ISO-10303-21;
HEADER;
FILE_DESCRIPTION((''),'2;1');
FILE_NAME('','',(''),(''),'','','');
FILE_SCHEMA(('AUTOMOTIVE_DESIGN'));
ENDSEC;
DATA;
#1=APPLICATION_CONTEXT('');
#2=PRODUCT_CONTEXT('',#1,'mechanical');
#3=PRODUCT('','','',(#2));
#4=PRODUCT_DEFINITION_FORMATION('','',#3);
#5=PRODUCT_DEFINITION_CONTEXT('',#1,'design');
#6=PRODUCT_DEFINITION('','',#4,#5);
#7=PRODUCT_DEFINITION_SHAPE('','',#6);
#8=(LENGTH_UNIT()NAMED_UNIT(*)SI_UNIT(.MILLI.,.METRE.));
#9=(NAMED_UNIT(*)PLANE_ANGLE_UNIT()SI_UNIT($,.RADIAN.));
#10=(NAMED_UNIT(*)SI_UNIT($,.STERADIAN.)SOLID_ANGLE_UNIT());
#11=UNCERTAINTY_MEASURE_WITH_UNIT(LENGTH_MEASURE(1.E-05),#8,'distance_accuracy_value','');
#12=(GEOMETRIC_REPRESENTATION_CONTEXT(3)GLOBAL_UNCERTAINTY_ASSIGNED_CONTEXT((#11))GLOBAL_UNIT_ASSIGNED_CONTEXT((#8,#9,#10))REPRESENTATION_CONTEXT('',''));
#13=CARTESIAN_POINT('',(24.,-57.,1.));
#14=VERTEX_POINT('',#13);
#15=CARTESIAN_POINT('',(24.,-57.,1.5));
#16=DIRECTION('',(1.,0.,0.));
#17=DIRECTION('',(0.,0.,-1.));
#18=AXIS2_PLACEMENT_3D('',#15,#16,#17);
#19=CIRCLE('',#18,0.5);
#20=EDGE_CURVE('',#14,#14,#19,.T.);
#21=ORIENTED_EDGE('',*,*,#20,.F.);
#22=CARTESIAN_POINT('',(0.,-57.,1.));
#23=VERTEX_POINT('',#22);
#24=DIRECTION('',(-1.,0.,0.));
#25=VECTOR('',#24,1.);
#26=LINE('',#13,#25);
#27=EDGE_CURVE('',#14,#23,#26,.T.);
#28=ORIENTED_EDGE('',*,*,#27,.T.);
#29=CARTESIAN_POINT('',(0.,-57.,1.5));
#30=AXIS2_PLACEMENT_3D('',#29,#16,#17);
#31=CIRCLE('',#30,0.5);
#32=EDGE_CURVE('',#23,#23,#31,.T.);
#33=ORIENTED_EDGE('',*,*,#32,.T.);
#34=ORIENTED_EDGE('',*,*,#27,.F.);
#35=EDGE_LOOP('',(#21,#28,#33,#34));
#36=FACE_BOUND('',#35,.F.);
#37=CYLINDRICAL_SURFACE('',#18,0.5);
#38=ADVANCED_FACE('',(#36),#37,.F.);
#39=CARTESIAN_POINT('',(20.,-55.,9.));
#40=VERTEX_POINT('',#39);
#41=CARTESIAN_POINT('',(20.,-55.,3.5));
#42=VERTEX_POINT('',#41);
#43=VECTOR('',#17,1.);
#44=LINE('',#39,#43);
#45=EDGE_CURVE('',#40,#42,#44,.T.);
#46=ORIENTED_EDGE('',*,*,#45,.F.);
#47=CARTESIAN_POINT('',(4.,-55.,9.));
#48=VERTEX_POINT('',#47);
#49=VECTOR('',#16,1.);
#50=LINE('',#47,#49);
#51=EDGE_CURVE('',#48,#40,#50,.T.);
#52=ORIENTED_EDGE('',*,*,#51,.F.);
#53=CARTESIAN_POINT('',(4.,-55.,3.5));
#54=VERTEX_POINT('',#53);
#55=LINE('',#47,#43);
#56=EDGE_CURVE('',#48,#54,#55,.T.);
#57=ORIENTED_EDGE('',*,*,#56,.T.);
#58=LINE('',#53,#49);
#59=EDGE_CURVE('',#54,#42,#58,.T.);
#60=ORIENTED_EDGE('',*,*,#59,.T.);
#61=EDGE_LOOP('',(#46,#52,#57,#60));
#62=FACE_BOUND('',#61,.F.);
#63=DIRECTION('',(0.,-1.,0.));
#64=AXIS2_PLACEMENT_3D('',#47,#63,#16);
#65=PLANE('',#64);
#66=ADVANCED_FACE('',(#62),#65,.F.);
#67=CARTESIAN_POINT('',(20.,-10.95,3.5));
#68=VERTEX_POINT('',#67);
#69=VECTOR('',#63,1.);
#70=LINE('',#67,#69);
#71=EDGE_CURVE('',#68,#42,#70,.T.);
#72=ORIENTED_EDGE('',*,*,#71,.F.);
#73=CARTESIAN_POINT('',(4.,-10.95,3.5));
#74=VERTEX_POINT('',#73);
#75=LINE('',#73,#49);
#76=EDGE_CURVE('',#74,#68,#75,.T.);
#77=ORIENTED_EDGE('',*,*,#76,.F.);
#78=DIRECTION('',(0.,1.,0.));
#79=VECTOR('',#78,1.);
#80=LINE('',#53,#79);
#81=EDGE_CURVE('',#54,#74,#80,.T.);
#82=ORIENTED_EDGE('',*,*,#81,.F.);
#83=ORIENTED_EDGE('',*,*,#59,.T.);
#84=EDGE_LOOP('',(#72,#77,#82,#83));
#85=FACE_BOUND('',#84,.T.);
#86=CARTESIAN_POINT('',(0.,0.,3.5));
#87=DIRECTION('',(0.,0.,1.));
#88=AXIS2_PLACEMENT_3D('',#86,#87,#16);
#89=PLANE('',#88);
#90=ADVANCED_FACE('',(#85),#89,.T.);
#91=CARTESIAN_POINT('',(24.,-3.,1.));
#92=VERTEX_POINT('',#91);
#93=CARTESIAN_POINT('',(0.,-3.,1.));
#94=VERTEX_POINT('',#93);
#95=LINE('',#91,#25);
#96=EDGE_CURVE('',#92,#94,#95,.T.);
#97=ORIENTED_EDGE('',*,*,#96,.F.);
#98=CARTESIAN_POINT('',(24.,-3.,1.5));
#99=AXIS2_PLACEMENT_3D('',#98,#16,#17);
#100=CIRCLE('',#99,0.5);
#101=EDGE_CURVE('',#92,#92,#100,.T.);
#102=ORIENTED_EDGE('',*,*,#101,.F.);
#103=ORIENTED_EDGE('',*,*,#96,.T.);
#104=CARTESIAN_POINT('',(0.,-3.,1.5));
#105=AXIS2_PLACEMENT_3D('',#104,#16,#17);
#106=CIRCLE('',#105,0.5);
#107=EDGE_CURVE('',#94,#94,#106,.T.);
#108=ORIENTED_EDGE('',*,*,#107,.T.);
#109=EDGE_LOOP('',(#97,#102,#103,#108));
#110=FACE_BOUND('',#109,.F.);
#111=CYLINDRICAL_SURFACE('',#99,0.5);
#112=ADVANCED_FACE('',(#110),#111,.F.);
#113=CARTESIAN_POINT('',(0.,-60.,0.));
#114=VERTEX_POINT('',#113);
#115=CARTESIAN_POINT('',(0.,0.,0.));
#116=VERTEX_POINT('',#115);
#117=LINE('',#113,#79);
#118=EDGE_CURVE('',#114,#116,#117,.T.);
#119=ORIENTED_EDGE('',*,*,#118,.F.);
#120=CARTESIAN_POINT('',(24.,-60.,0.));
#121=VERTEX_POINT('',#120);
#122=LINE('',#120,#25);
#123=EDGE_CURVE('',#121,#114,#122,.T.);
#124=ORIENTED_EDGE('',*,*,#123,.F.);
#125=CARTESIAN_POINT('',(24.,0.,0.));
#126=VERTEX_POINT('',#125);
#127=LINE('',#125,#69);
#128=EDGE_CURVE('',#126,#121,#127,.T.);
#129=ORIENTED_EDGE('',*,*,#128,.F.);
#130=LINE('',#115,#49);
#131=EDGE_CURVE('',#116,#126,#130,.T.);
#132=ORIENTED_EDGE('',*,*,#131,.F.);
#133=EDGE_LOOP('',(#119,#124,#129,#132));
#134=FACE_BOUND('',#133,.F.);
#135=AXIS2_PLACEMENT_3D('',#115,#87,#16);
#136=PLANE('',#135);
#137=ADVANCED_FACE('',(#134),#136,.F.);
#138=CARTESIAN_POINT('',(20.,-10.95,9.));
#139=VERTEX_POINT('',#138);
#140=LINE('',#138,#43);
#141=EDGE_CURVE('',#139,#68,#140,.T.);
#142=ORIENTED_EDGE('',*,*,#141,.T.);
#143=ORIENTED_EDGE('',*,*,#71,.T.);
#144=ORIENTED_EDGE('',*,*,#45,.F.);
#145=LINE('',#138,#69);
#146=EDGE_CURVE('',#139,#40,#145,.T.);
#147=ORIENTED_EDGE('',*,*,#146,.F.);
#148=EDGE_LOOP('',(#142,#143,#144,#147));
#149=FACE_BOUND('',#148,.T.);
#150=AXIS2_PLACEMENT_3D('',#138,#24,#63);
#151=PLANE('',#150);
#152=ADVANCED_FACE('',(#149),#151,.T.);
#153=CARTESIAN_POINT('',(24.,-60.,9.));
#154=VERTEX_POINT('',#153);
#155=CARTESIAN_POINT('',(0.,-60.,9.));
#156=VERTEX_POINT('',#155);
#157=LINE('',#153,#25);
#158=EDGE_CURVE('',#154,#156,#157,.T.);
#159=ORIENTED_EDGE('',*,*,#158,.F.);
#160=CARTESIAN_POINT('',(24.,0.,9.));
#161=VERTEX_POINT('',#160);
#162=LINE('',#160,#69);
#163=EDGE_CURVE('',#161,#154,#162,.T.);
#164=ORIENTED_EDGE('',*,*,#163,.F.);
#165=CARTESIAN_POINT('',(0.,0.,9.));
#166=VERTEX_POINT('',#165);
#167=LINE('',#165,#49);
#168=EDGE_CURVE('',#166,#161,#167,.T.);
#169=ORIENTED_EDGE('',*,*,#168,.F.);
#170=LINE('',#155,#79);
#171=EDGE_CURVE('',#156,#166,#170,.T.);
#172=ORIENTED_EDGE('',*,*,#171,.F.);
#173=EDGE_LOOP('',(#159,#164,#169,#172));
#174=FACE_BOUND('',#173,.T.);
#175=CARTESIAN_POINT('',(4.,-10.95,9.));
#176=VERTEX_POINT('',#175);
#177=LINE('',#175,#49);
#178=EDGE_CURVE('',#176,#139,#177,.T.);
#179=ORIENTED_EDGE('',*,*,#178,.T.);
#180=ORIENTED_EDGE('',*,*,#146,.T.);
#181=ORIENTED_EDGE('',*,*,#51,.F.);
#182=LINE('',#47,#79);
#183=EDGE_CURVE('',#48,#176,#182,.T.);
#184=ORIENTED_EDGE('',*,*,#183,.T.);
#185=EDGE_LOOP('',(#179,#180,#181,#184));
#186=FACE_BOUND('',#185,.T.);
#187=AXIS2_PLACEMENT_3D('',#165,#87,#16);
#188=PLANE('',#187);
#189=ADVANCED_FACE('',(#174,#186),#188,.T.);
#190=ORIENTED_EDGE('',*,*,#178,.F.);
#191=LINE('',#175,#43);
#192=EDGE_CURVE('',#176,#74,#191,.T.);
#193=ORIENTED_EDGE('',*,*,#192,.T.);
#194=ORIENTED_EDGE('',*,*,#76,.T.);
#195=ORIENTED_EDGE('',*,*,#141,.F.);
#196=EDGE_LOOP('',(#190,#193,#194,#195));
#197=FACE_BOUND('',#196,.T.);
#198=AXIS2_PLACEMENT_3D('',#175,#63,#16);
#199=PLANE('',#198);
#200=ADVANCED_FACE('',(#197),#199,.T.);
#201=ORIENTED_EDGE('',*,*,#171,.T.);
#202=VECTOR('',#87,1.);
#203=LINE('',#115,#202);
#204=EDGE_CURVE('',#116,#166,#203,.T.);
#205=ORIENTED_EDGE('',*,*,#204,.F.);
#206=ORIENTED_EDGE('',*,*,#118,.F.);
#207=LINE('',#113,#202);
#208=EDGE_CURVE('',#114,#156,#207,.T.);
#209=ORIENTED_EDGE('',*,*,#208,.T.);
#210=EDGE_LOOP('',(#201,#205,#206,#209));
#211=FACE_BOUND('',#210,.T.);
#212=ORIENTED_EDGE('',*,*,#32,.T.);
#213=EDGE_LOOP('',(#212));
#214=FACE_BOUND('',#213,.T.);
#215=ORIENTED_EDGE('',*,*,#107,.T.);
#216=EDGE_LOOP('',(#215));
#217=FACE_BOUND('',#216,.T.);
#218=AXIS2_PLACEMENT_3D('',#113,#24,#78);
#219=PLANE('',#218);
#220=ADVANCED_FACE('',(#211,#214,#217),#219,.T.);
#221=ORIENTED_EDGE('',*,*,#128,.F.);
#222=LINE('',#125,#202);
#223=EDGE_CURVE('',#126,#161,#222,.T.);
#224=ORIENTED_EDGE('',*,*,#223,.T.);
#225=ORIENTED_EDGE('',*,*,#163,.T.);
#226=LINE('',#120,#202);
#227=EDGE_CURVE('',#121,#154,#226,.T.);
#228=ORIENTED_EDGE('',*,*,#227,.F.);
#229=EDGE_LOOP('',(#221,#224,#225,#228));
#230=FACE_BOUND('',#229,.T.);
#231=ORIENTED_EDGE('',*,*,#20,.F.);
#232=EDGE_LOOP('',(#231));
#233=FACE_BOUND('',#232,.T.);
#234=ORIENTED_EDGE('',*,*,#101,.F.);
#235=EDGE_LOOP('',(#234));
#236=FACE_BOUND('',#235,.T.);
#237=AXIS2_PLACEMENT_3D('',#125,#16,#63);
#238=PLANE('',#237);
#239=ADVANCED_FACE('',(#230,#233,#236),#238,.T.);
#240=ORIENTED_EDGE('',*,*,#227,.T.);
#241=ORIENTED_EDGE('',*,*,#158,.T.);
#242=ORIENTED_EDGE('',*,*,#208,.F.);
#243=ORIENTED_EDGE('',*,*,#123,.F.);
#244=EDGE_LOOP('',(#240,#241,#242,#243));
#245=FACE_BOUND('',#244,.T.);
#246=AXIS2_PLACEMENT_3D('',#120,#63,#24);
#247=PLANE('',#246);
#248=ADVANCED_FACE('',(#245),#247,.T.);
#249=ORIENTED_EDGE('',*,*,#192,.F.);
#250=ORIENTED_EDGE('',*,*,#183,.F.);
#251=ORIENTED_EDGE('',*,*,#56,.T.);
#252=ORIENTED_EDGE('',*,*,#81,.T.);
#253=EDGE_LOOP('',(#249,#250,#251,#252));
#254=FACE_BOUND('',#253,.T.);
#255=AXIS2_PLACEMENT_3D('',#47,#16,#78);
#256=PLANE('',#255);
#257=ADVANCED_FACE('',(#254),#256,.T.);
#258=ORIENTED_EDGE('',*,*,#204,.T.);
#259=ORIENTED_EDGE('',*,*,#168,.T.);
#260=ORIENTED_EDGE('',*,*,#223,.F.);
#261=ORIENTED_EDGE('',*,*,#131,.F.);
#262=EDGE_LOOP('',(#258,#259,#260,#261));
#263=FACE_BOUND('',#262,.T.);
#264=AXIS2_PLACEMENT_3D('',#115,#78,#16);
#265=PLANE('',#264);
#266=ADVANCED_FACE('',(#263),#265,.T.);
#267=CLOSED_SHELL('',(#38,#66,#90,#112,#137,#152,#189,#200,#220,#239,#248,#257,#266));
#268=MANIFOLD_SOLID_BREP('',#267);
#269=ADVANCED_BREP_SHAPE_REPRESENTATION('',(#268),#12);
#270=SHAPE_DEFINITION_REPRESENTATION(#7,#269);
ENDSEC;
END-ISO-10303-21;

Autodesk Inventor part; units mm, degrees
ref_plane "YZ Plane" through (0, 0, 0) normal (1, 0, 0) x (0, 1, 0)
ref_plane "XZ Plane" through (0, 0, 0) normal (0, 1, 0) x (-1, 0, 0)
ref_plane "XY Plane" through (0, 0, 0) normal (0, 0, 1) x (1, 0, 0)
sketch "Sketch1" plane through (0, 0, 0) normal (0, 0, 1) x (1, 0, 0)
  line L0 (0, 0) -> (24, 0)
  line L1 (24, 0) -> (24, -60)
  line L2 (24, -60) -> (0, -60)
  line L3 (0, -60) -> (0, 0)
  dimension "d0" = 24
  dimension "d1" = 60
extrude "Extrusion1" add sketch "Sketch1" along normal blind 9
sketch "Sketch2" plane through (0, 0, 9) normal (0, 0, 1) x (1, 0, 0)
  line L0 (0, -60) -> (24, -60) projected
  line L1 (4, -55) -> (4, -10.95)
  line L2 (20, -10.95) -> (20, -55)
  line L3 (4, -10.95) -> (20, -10.95)
  line L4 (4, -55) -> (20, -55)
  line L5 (24, -60) -> (24, 0) projected
  line L6 (0, 0) -> (0, -60) projected
  line L7 (24, 0) -> (0, 0) projected
  dimension "d7" = 4
  dimension "d8" = 4
  dimension "d9" = 5
  dimension "d10" = 10.95
extrude "Extrusion2" cut sketch "Sketch2" against normal blind 5.5 contours L1 L3 L2 L4
sketch "Sketch3" plane through (24, -60, 0) normal (1, 0, 0) x (0, 0, -1)
  circle A0 centre (-1.5, 3) radius 0.5
  circle A1 centre (-1.5, 57) radius 0.5
  line L0 (0, 0) -> (-9, 0) projected
  line L1 (-9, 0) -> (-9, 60) projected
  line L2 (0, 60) -> (-9, 60) projected
  dimension "d15" = 1
  dimension "d18" = 1
  dimension "d19" = 3
  dimension "d20" = 7.5
  dimension "d21" = 3
  dimension "d22" = 7.5
extrude "Extrusion3" cut sketch "Sketch3" against normal blind 24
properties part number "Prueba1MPU"
